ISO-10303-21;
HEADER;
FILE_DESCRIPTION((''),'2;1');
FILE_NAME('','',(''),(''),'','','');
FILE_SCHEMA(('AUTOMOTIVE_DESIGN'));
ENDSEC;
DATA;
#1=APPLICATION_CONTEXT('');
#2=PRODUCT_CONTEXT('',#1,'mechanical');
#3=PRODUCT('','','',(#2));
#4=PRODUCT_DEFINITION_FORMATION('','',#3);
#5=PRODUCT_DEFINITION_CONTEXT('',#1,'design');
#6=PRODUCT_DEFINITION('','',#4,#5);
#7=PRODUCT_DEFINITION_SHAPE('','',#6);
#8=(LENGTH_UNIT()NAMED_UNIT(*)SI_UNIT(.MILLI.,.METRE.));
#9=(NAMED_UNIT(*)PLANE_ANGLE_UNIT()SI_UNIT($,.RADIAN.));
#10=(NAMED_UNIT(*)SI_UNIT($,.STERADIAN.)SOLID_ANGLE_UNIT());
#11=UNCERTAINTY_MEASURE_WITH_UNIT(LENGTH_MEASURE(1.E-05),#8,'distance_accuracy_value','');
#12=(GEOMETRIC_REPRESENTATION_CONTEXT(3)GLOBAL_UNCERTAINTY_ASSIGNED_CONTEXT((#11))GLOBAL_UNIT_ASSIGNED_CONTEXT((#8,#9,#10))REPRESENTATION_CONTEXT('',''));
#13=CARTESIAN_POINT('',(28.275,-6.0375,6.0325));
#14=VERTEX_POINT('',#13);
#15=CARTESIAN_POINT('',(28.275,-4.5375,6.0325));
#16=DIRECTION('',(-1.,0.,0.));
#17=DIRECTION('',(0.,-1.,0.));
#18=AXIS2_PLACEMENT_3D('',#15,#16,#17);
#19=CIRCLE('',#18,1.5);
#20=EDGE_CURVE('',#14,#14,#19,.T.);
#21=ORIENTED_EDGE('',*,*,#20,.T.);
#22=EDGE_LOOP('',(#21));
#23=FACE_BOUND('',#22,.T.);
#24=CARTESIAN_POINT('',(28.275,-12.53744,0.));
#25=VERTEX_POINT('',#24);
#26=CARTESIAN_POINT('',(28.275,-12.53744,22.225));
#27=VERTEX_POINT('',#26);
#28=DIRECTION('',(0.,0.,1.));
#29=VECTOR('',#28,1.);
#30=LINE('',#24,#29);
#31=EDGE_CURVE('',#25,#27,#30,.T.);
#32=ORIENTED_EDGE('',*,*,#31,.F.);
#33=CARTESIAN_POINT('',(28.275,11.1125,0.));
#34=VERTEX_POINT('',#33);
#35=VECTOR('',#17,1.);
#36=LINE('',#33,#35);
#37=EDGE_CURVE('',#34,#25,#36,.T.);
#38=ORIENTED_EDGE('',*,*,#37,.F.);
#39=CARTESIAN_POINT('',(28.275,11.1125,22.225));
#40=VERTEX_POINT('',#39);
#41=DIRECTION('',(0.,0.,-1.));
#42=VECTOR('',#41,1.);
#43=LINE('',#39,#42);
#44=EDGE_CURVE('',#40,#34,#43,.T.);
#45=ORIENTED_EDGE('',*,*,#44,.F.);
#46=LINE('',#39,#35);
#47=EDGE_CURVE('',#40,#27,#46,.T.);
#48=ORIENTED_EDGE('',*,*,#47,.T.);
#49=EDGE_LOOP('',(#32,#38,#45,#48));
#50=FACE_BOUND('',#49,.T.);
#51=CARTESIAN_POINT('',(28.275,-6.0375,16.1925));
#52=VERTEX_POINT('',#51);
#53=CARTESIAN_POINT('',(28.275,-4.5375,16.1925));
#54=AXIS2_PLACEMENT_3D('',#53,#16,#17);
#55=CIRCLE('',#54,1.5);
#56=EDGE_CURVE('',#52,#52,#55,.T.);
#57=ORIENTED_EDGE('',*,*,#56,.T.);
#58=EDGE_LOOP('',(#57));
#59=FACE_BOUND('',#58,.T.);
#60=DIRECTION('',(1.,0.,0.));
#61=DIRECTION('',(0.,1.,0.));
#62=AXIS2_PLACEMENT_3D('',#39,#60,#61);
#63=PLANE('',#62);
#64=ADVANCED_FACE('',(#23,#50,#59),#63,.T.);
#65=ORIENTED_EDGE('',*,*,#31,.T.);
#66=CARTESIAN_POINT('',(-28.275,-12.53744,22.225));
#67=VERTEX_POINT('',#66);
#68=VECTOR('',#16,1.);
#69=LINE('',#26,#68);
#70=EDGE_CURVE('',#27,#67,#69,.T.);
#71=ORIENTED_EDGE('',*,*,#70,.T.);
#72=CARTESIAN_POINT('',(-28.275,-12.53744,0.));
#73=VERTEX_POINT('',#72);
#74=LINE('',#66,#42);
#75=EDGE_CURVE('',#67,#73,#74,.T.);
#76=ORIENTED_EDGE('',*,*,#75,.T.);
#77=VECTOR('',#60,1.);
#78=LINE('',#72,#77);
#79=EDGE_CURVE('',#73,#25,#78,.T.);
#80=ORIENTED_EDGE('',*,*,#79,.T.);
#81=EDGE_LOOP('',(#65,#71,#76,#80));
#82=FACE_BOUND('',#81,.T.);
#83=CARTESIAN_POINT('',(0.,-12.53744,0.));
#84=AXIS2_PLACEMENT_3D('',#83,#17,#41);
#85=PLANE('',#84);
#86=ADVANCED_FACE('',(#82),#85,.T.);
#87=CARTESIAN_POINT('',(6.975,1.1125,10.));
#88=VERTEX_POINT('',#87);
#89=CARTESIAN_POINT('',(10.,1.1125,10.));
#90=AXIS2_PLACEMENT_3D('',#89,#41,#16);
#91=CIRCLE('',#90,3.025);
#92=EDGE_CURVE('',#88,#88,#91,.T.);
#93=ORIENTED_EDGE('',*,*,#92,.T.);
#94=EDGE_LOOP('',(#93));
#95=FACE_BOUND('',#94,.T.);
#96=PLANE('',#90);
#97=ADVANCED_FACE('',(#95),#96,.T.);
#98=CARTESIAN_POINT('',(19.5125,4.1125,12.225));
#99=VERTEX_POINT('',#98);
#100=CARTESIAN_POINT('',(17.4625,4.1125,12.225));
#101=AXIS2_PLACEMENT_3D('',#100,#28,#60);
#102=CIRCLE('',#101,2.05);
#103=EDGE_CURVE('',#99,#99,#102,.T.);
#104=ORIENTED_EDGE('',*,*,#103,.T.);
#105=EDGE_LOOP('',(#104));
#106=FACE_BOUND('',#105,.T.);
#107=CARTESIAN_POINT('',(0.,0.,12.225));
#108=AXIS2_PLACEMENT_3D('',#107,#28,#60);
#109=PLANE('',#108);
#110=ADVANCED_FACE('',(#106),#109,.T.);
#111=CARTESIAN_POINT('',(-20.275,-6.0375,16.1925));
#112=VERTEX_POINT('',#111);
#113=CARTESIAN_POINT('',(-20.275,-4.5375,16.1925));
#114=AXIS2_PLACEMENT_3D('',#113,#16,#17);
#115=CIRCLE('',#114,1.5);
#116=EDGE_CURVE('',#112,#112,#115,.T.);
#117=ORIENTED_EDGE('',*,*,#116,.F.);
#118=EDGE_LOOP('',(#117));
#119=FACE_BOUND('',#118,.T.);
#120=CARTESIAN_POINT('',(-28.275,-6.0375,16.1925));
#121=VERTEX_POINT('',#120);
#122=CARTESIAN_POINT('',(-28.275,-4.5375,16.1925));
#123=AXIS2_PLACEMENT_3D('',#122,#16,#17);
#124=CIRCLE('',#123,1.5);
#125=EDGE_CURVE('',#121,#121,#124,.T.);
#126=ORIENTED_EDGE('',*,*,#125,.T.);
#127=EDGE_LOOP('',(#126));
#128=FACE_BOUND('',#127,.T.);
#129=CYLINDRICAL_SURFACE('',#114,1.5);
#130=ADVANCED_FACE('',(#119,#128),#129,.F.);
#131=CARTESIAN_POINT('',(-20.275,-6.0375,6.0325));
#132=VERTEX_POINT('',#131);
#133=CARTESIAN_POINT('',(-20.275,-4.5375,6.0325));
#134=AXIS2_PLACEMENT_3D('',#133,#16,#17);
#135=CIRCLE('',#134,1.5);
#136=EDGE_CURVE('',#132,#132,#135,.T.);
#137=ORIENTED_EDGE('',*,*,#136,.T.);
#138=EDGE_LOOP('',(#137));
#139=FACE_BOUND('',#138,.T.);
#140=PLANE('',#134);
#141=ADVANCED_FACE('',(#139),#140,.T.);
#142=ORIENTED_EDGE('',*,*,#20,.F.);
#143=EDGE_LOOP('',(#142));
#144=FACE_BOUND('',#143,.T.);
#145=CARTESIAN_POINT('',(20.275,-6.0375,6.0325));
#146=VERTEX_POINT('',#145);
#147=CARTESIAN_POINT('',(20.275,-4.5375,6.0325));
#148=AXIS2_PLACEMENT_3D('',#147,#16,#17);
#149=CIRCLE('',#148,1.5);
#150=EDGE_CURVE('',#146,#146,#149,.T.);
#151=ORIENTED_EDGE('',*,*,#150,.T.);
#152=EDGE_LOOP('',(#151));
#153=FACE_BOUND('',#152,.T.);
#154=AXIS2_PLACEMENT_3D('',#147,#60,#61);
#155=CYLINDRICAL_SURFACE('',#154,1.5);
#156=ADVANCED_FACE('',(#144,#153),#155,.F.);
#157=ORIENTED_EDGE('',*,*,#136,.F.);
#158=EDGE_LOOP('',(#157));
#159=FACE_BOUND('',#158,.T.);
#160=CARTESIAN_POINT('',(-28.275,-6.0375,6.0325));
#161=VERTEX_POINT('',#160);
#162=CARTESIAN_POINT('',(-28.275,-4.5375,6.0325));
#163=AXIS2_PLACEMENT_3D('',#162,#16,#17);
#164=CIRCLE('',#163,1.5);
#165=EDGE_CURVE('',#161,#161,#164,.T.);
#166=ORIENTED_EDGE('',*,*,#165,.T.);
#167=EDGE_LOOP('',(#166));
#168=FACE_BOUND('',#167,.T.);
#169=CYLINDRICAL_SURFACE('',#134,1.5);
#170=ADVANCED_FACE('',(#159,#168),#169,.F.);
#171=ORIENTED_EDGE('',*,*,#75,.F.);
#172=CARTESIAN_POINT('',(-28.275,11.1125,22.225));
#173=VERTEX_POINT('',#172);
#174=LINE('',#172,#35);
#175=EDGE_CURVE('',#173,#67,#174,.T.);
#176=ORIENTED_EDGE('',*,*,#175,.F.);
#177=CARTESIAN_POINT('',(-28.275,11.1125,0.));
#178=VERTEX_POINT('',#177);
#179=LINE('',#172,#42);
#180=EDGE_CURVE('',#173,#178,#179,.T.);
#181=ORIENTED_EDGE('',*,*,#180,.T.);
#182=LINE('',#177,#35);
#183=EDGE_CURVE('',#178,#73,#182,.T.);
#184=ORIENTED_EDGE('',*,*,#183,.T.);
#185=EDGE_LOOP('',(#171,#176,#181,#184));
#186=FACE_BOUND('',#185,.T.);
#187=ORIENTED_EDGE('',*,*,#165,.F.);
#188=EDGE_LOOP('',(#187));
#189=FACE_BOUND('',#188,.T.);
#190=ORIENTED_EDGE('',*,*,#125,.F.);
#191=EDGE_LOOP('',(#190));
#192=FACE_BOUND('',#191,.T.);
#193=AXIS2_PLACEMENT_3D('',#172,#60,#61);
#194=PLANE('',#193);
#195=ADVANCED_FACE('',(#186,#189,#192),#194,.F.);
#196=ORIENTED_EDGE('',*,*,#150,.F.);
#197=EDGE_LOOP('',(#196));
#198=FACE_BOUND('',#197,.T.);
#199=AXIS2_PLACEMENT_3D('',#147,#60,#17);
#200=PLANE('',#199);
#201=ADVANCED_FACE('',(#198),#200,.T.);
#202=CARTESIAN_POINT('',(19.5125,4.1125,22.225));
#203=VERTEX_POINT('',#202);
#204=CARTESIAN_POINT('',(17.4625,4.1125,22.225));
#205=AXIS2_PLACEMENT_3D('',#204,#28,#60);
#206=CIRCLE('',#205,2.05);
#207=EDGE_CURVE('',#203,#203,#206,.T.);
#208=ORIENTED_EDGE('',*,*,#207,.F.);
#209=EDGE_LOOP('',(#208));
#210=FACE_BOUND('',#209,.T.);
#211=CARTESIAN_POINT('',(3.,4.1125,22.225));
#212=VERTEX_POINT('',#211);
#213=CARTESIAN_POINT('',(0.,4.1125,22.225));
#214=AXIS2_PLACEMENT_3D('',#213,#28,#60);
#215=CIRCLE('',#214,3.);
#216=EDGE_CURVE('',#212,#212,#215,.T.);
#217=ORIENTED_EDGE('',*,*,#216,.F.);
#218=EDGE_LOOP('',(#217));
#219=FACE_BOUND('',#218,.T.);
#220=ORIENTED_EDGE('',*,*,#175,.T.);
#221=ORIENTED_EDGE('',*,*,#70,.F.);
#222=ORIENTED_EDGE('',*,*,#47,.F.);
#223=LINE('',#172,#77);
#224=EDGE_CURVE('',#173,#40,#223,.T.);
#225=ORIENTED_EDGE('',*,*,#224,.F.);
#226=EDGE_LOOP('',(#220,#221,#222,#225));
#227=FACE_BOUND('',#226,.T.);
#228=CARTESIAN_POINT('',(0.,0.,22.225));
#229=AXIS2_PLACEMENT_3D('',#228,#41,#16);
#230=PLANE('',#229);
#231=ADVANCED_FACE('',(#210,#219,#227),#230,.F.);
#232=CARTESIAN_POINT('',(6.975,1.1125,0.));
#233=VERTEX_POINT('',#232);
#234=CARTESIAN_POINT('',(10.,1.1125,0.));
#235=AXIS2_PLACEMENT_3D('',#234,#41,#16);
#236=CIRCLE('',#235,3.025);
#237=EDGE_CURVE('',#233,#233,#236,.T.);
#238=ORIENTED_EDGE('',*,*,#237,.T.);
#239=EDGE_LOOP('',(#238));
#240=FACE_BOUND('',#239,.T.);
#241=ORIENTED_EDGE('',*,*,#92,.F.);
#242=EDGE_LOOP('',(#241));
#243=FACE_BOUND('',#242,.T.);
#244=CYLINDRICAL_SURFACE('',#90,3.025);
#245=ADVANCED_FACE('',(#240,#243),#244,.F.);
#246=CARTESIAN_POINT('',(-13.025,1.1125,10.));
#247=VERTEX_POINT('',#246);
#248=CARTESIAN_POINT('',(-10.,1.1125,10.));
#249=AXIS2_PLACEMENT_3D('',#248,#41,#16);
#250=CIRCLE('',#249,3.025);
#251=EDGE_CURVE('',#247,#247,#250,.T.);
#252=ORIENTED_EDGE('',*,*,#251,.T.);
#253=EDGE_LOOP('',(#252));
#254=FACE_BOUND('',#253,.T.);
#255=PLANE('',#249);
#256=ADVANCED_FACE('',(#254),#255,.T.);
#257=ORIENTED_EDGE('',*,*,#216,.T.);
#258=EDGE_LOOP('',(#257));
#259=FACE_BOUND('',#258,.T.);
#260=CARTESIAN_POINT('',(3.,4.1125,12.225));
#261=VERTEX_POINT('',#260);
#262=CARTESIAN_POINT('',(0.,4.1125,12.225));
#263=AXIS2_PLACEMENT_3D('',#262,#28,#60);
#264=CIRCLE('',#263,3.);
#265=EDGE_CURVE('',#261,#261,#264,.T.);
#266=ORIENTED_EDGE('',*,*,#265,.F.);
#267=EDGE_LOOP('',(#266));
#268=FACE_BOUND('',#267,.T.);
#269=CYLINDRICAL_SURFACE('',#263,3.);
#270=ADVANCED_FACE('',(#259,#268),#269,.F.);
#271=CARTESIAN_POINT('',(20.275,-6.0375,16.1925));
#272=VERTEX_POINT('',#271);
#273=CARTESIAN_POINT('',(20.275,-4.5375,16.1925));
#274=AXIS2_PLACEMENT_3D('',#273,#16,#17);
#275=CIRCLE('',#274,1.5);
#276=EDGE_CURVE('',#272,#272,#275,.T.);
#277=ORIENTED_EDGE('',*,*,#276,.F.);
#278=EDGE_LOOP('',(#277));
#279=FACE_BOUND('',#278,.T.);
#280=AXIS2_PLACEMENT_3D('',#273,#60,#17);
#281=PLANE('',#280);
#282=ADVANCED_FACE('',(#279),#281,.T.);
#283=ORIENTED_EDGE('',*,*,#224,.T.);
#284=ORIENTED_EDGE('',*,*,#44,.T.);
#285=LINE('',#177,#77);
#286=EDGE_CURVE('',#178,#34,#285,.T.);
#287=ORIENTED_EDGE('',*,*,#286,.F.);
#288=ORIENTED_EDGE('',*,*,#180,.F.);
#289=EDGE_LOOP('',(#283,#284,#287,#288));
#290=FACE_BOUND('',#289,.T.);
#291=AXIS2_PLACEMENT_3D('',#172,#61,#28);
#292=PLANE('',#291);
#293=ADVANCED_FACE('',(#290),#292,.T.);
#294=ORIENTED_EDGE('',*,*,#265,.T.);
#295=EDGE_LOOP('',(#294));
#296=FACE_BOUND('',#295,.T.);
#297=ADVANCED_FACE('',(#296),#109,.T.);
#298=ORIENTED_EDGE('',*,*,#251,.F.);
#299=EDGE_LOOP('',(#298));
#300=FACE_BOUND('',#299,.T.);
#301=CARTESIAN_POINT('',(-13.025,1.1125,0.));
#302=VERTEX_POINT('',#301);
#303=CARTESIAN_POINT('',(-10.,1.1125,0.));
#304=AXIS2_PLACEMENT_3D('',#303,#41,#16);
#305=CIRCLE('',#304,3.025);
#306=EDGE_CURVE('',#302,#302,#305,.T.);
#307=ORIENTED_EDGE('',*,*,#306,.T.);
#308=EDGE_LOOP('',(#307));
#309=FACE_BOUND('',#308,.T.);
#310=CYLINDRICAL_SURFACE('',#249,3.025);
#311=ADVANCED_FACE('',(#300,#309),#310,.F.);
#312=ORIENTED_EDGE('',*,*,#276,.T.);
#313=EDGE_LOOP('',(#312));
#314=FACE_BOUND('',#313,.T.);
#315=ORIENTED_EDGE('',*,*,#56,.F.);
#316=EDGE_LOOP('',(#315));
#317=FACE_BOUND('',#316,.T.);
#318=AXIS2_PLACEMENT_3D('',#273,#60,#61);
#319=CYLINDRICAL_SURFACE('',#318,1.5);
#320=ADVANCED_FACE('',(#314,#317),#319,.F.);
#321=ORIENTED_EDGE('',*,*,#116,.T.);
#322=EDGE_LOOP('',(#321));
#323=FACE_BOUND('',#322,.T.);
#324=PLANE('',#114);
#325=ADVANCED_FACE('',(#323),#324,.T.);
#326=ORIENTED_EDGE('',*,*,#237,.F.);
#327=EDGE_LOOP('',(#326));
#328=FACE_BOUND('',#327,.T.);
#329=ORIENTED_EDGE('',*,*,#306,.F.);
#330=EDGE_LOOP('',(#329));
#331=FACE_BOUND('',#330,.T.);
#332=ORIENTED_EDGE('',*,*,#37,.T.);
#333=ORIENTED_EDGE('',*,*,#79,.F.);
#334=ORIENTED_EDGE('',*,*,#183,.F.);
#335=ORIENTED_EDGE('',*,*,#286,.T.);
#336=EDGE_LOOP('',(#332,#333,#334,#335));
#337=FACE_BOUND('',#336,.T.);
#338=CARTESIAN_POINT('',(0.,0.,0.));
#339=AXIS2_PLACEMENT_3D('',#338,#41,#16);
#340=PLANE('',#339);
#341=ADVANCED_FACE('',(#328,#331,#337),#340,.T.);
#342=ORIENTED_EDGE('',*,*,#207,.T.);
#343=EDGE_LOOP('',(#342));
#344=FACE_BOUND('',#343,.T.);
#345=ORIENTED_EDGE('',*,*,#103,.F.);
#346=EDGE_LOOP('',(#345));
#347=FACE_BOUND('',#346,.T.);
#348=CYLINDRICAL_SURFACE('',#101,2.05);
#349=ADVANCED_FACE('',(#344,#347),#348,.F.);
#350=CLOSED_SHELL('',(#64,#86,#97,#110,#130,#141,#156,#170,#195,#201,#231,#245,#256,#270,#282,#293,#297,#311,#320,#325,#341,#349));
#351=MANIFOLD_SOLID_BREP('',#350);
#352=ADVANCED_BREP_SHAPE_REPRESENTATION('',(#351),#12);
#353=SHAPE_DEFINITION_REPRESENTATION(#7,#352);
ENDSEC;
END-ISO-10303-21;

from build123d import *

# Parameters (mm, degrees)
SKETCH1_W           = 56.55
SKETCH1_H           = 22.225
BOSS_EXTRUDE1_DEPTH = 22.225
SKETCH2_R           = 2.05
SKETCH2_R_2         = 3
CUT_EXTRUDE1_DEPTH  = 10
SKETCH3_R           = 1.5
CUT_EXTRUDE2_DEPTH  = 8
SKETCH5_W           = 56.55
SKETCH5_H           = 22.225
BOSS_EXTRUDE2_DEPTH = 1.42494
SKETCH6_R           = 3.025
CUT_EXTRUDE3_DEPTH  = 10


with BuildPart() as part:
    # Sketch1 → Boss-Extrude1 (new body)
    with BuildSketch(Plane.XY):
        Rectangle(SKETCH1_W, SKETCH1_H)
    extrude(amount=BOSS_EXTRUDE1_DEPTH)

    # Sketch2 → Cut-Extrude1 (cut)
    with BuildSketch(Plane.XY.offset(22.225)):
        with Locations((17.4625, 4.1125)):
            Circle(SKETCH2_R)
        with Locations((0, 4.1125)):
            Circle(SKETCH2_R_2)
    extrude(amount=-CUT_EXTRUDE1_DEPTH, mode=Mode.SUBTRACT)

    # Sketch3 → Cut-Extrude2 (cut)
    with BuildSketch(Plane.ZY.offset(28.275)):
        with Locations(Location((16.1925, -4.5375001, 0), (0, 0, 270))):
            Circle(SKETCH3_R)
        with Locations(Location((6.0325, -4.5375001, 0), (0, 0, 270))):
            Circle(SKETCH3_R)
    cut_extrude2 = extrude(amount=-CUT_EXTRUDE2_DEPTH, mode=Mode.SUBTRACT)

    # Sketch5 → Boss-Extrude2 (add)
    with BuildSketch(Plane.XZ.offset(11.1125)):
        with Locations((0, 11.1125)):
            Rectangle(SKETCH5_W, SKETCH5_H)
    extrude(amount=BOSS_EXTRUDE2_DEPTH)

    # Mirror2: Cut-Extrude2 across plane
    add(cut_extrude2.mirror(Plane(origin=(0, 0, 0), x_dir=(0, 0, 1), z_dir=(1, 0, 0))), mode=Mode.SUBTRACT)

    # Sketch6 → Cut-Extrude3 (cut)
    with BuildSketch(Plane(origin=(0, 0, 0), x_dir=(-1, 0, 0), z_dir=(0, 0, -1))):
        with Locations((-10, 1.1125)):
            Circle(SKETCH6_R)
        with Locations((10, 1.1125)):
            Circle(SKETCH6_R)
    extrude(amount=-CUT_EXTRUDE3_DEPTH, mode=Mode.SUBTRACT)


solid = part.part
